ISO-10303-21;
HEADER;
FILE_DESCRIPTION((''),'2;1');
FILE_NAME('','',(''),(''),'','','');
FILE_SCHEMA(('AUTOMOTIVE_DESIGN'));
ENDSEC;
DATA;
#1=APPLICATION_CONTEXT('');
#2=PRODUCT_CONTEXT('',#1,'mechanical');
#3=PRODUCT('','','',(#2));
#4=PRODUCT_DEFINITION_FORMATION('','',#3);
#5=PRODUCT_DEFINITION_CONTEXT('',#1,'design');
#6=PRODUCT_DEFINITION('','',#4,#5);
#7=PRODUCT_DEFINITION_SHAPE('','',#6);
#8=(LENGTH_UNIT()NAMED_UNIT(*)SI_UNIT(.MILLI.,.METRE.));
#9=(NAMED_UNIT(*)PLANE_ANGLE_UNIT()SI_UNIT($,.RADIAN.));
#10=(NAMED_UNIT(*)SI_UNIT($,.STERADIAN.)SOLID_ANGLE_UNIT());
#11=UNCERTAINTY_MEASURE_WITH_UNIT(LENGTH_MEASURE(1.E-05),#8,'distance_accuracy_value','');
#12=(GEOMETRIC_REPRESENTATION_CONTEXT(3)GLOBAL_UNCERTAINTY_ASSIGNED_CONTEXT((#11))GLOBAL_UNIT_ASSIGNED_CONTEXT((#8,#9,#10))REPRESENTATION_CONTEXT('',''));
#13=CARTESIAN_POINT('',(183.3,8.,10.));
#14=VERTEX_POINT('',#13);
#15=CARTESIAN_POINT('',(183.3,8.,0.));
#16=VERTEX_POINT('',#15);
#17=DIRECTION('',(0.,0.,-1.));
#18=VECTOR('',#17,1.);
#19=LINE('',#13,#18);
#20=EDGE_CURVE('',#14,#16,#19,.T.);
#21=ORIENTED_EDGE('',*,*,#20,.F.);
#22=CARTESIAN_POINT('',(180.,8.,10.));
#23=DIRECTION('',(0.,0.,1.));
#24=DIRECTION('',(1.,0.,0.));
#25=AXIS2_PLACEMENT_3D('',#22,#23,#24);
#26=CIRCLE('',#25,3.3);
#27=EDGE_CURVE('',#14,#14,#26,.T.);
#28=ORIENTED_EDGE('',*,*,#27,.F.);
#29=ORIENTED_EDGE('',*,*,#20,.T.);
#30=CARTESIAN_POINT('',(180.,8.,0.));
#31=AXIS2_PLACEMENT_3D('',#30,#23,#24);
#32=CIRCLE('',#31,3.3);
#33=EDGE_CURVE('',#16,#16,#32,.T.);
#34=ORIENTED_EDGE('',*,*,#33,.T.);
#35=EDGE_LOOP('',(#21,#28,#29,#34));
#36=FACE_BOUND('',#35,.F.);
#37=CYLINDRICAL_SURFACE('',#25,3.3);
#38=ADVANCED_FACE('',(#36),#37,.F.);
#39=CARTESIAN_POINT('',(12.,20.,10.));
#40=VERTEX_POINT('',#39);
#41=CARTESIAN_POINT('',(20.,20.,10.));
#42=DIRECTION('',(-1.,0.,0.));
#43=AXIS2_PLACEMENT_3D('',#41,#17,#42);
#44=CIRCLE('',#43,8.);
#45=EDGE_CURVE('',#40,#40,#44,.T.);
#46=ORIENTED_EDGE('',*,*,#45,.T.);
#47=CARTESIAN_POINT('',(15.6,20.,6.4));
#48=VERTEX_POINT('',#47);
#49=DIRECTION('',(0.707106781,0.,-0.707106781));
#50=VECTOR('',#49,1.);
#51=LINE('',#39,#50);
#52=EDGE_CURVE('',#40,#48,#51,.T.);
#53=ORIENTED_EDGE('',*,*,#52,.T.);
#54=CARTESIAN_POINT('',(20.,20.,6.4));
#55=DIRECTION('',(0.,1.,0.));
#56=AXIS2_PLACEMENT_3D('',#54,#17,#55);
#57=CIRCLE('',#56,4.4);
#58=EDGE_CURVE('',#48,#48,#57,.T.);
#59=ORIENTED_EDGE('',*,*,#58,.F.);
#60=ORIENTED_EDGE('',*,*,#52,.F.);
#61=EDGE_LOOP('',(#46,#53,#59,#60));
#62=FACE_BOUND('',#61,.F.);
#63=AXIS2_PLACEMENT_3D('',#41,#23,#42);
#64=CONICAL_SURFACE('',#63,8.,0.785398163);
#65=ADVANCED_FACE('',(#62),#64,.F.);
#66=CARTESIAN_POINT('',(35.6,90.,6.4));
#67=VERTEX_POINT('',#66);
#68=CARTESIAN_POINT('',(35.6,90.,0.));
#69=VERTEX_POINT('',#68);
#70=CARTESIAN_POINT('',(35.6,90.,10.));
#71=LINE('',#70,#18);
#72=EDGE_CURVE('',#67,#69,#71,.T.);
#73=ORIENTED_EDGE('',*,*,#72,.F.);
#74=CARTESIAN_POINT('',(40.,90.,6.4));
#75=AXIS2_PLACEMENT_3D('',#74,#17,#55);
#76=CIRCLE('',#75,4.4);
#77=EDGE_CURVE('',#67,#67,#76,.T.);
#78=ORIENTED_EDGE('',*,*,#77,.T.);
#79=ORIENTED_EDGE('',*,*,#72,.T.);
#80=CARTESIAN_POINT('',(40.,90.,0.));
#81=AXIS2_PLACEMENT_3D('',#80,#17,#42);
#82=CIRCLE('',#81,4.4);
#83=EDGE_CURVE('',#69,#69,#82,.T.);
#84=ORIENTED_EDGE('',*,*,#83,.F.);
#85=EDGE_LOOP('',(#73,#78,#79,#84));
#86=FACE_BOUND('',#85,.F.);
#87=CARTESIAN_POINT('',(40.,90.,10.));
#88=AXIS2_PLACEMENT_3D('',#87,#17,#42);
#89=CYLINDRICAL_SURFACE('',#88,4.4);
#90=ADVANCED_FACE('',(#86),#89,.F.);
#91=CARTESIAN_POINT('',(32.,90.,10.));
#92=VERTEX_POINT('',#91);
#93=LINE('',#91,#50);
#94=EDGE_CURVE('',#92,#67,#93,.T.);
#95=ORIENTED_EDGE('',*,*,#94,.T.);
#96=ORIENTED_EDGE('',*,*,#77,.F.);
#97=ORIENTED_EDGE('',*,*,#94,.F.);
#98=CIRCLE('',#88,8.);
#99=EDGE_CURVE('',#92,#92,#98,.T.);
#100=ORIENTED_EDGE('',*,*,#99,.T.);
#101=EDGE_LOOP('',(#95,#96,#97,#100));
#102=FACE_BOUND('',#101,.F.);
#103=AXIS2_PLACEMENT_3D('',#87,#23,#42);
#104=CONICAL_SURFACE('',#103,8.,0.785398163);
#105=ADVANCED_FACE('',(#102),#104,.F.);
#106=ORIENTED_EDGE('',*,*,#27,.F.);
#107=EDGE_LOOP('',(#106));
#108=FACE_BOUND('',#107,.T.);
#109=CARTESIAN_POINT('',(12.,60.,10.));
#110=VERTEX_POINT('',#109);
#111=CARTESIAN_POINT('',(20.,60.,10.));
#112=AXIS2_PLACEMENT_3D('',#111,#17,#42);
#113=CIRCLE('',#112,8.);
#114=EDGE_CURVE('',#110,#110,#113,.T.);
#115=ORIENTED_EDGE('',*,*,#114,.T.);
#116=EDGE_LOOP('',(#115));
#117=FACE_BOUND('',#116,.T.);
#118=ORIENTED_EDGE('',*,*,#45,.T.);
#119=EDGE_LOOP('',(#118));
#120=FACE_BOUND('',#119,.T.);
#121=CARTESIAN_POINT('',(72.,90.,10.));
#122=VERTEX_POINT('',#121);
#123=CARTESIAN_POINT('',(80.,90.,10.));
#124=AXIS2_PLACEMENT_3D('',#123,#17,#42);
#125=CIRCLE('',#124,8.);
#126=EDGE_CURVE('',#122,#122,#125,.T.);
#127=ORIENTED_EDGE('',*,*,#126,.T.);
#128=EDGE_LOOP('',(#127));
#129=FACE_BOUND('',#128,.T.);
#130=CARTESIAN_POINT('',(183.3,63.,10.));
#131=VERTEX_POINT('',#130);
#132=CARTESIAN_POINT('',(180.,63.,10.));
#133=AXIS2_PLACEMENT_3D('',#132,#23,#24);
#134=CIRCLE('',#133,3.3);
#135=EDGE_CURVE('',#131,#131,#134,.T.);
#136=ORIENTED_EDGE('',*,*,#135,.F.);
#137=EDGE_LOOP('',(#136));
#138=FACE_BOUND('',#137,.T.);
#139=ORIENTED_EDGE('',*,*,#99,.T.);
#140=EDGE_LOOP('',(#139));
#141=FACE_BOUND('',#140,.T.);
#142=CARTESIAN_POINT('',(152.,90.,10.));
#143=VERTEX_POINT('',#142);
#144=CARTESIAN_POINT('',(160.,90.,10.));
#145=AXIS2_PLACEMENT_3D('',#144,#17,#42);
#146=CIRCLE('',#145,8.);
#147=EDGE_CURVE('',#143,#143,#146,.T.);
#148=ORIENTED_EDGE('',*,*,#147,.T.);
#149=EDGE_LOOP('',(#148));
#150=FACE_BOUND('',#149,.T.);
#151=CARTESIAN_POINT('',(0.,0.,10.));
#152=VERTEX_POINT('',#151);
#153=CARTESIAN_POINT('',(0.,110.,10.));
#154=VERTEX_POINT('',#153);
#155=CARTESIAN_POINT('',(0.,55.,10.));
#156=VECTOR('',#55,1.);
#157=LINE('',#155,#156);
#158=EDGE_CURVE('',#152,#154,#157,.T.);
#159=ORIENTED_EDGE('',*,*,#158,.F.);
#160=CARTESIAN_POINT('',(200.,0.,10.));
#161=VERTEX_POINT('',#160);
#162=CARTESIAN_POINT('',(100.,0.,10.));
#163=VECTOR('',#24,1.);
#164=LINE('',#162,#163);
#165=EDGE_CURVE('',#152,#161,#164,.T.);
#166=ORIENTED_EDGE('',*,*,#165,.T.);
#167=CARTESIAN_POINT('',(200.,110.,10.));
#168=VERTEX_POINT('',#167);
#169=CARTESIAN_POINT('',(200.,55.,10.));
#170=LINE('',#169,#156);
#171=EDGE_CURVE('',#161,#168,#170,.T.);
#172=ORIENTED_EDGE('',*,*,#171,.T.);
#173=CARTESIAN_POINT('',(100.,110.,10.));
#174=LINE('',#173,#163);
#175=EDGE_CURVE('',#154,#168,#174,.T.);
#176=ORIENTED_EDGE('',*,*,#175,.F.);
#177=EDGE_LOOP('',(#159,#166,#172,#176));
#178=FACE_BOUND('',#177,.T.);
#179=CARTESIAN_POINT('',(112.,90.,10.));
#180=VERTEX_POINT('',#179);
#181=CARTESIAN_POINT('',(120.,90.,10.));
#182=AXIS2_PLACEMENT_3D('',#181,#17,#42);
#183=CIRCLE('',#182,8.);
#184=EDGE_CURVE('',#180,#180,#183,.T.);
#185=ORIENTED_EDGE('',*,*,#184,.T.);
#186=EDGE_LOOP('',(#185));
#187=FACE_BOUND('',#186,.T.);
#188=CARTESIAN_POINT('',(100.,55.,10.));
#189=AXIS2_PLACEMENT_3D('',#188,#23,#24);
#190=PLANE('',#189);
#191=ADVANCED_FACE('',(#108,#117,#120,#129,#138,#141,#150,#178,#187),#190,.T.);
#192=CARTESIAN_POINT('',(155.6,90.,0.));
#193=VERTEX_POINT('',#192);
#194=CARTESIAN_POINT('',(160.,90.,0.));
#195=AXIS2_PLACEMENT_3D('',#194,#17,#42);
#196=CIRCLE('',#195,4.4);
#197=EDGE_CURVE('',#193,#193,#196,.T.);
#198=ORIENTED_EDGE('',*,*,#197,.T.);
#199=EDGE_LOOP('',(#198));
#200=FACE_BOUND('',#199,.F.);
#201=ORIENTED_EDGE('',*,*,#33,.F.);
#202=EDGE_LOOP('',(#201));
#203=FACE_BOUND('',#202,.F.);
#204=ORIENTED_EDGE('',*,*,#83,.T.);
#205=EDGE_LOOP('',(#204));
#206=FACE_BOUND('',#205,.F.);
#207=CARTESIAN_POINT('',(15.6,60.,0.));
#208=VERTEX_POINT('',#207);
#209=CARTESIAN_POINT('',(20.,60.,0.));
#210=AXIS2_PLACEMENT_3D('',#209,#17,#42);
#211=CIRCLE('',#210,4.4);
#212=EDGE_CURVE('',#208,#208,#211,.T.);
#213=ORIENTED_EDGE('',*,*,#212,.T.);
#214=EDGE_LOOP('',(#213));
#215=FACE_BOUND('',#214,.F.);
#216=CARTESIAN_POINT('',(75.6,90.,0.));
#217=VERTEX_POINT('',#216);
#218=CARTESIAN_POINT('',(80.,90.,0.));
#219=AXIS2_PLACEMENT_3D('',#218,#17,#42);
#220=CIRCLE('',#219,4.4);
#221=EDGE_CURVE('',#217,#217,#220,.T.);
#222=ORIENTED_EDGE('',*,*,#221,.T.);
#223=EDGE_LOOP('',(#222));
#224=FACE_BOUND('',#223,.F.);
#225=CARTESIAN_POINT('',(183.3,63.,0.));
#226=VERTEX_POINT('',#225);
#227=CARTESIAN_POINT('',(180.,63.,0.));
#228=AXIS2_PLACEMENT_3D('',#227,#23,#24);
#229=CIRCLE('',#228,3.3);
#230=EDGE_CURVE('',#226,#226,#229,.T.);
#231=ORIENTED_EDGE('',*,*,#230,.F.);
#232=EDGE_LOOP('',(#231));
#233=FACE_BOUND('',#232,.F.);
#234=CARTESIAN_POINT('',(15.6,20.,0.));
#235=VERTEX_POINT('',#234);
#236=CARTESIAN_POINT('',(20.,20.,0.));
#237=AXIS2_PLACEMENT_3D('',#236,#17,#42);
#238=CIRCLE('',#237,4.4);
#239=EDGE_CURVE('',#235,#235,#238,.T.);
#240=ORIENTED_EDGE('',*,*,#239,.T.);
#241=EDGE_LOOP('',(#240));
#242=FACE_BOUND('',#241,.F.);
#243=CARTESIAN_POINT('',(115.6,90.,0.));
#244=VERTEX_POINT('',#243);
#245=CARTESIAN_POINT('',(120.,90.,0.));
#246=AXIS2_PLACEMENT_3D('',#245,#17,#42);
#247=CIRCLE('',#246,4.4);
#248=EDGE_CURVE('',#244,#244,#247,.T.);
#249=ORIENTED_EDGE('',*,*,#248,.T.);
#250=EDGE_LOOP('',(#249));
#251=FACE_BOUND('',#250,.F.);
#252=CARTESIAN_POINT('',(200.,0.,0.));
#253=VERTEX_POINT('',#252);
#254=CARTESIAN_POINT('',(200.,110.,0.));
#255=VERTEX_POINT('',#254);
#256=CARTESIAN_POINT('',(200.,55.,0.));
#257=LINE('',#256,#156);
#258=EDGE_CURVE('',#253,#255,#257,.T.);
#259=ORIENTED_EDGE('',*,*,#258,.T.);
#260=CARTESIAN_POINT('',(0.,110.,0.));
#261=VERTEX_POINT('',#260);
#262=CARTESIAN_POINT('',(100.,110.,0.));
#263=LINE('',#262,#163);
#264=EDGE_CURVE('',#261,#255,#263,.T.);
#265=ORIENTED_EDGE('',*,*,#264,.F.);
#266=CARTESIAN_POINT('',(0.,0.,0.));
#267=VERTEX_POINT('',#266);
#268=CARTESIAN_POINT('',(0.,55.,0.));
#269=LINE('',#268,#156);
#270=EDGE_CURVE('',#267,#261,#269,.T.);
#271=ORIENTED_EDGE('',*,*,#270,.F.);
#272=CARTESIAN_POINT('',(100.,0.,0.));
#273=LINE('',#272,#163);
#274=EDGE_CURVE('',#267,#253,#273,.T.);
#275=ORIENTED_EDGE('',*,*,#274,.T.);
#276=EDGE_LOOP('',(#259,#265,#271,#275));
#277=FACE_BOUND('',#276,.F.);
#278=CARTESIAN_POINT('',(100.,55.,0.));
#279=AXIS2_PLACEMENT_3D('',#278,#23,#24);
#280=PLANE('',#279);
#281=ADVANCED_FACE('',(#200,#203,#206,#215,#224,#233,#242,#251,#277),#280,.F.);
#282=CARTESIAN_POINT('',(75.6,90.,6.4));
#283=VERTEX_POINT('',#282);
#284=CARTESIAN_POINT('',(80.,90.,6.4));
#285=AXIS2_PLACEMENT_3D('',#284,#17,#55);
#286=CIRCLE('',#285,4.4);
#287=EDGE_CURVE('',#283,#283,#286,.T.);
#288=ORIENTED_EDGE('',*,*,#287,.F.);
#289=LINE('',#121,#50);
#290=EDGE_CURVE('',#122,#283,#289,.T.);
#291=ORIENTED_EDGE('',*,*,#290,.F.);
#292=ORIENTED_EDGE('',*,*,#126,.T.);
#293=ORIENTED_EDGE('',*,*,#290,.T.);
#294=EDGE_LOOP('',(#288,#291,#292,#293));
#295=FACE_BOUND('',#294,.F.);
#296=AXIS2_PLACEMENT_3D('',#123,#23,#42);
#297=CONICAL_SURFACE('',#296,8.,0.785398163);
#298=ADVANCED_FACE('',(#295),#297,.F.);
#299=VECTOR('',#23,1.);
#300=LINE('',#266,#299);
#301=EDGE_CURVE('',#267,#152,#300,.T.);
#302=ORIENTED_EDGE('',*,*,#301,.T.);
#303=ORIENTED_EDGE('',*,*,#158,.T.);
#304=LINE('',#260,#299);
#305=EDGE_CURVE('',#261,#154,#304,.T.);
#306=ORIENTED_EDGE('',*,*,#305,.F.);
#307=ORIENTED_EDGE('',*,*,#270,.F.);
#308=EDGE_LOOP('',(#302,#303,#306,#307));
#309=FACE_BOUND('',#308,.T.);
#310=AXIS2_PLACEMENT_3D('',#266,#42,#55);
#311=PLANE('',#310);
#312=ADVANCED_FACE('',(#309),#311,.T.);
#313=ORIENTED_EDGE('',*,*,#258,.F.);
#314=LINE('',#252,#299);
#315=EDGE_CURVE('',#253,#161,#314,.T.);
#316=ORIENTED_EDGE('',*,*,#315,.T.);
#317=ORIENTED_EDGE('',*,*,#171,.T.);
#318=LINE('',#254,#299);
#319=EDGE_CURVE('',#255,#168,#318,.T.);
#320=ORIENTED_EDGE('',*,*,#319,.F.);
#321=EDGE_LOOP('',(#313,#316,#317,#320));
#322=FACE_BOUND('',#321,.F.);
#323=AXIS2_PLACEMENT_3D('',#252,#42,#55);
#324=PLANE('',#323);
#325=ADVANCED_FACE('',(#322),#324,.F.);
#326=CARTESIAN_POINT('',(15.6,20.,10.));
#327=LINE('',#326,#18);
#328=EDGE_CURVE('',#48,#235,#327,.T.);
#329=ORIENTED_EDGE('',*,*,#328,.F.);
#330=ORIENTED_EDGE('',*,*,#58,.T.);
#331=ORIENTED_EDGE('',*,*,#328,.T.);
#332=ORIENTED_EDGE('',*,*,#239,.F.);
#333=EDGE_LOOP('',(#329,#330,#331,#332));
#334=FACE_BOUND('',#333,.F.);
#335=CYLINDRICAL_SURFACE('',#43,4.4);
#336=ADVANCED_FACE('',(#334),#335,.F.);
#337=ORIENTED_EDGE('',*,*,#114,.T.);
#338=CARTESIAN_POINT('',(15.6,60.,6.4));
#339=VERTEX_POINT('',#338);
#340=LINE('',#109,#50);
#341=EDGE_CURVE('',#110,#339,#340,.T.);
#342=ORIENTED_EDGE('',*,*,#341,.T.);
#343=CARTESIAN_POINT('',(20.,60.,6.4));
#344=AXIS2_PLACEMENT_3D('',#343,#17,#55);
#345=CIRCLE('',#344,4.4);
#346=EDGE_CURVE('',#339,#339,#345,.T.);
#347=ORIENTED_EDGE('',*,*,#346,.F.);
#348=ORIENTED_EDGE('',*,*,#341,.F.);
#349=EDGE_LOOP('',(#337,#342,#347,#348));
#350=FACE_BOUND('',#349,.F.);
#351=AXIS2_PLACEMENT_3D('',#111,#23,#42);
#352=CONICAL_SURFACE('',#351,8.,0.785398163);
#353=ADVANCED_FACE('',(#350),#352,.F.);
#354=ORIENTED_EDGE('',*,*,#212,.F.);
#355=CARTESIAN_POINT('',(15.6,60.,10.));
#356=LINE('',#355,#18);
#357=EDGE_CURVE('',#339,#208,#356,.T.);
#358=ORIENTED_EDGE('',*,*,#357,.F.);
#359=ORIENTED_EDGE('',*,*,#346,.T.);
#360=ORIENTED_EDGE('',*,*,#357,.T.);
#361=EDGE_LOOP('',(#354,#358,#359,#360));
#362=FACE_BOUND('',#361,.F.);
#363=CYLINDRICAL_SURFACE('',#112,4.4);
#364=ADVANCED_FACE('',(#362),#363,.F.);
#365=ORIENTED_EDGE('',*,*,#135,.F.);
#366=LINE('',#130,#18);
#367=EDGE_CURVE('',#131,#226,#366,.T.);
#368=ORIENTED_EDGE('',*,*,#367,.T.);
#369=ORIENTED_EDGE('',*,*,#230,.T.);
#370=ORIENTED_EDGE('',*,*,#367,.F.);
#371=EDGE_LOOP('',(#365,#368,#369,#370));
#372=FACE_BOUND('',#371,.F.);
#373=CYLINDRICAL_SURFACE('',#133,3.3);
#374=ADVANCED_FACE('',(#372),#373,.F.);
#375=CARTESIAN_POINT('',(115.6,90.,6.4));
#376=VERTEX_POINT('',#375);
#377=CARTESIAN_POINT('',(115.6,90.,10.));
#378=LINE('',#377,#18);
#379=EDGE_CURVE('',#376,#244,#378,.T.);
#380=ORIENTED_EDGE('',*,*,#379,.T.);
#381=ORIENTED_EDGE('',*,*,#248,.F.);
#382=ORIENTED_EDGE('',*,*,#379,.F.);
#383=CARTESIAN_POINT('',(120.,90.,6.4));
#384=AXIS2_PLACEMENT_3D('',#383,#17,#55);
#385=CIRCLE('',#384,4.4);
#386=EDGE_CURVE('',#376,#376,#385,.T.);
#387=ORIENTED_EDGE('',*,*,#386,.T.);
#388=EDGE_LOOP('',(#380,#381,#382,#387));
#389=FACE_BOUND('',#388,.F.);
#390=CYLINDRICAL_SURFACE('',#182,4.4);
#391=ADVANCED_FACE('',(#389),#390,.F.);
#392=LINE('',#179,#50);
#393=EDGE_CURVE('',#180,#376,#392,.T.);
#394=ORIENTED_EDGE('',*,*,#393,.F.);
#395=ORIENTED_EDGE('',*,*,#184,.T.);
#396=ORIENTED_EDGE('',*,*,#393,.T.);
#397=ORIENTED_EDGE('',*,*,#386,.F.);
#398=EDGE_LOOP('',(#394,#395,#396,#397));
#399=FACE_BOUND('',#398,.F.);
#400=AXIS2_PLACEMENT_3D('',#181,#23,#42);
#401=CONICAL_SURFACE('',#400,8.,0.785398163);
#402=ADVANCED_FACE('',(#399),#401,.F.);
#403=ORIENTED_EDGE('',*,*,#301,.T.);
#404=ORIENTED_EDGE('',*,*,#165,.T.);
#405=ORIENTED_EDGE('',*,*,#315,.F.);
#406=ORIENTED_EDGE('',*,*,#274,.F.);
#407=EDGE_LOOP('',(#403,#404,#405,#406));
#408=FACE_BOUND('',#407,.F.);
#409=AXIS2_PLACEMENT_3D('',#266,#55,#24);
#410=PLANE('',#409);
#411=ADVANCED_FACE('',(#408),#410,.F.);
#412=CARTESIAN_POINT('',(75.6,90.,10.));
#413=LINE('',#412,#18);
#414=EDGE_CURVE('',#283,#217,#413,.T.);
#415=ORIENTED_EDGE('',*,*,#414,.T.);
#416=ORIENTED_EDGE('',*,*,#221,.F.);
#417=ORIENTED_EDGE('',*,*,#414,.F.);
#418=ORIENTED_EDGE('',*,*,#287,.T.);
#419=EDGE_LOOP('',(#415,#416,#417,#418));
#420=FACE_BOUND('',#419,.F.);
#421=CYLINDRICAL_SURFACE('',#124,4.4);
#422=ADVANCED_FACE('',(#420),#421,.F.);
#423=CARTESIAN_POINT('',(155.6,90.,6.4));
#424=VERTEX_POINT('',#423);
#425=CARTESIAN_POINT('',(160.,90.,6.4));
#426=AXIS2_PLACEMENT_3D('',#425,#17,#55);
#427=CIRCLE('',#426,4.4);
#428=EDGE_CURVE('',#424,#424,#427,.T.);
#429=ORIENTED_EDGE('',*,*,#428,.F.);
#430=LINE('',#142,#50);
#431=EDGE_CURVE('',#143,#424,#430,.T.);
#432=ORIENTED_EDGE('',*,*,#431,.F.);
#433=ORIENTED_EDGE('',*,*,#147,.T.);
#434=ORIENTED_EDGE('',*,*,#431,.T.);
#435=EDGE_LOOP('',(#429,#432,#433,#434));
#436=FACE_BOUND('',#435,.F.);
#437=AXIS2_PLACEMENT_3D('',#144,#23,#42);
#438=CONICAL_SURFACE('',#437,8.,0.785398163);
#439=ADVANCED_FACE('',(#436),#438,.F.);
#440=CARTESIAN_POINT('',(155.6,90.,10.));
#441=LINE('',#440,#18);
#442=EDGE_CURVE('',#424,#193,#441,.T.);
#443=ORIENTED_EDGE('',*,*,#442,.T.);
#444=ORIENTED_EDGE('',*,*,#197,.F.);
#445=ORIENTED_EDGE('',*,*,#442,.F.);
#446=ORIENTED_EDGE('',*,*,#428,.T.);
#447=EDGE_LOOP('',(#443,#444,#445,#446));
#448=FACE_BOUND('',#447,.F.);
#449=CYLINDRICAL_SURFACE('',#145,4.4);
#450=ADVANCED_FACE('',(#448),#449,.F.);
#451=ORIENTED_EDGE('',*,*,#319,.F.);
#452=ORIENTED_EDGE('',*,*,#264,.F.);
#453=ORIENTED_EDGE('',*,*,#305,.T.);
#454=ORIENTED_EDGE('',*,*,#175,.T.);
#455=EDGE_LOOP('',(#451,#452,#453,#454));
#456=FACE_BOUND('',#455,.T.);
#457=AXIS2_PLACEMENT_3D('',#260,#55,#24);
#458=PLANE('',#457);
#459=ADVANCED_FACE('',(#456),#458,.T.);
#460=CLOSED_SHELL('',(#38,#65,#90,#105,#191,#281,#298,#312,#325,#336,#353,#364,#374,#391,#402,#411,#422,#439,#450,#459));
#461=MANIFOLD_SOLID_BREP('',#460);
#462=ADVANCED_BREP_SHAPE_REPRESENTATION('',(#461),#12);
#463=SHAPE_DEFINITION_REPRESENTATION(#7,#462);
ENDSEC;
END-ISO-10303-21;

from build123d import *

# Parameters (mm, degrees)
SKETCH_W               = 200
SKETCH_H               = 110
PAD_DEPTH              = 10
HOLE_D                 = 8.8
HOLE_CSINK_D           = 16
HOLE_CSINK_ANGLE       = 90
LINEARPATTERN_COUNT    = 2
LINEARPATTERN_PITCH    = 40
SKETCH002_R            = 3.3
HOLE001_DEPTH          = 10.001
LINEARPATTERN001_COUNT = 2
LINEARPATTERN001_PITCH = 55
HOLE002_D              = 8.8
HOLE002_CSINK_D        = 16
HOLE002_CSINK_ANGLE    = 90
LINEARPATTERN002_COUNT = 4
LINEARPATTERN002_PITCH = 40


with BuildPart() as part:
    # Sketch → Pad (new body)
    with BuildSketch(Plane.XY):
        with Locations((100, 55)):
            Rectangle(SKETCH_W, SKETCH_H)
    extrude(amount=PAD_DEPTH)

    # Hole (through all)
    with Locations(Plane.XY.offset(10)):
        with Locations((20, 20)):
            hole = CounterSinkHole(HOLE_D / 2, HOLE_CSINK_D / 2, counter_sink_angle=HOLE_CSINK_ANGLE)

    # LinearPattern: Hole ×2
    with Locations(*[(0, i * LINEARPATTERN_PITCH, 0) for i in range(1, LINEARPATTERN_COUNT)]):
        add(hole, mode=Mode.SUBTRACT)

    # Sketch002 → Hole001 (cut, through all)
    with BuildSketch(Plane.XY.offset(10)):
        with Locations((180, 63)):
            Circle(SKETCH002_R)
    hole001 = extrude(amount=-HOLE001_DEPTH, mode=Mode.SUBTRACT)

    # LinearPattern001: Hole001 ×2
    with Locations(*[(0, -i * LINEARPATTERN001_PITCH, 0) for i in range(1, LINEARPATTERN001_COUNT)]):
        add(hole001, mode=Mode.SUBTRACT)

    # Hole002 (through all)
    with Locations(Plane.XY.offset(10)):
        with Locations((40, 90)):
            hole002 = CounterSinkHole(HOLE002_D / 2, HOLE002_CSINK_D / 2, counter_sink_angle=HOLE002_CSINK_ANGLE)

    # LinearPattern002: Hole002 ×4
    with Locations(*[(i * LINEARPATTERN002_PITCH, 0, 0) for i in range(1, LINEARPATTERN002_COUNT)]):
        add(hole002, mode=Mode.SUBTRACT)


solid = part.part
